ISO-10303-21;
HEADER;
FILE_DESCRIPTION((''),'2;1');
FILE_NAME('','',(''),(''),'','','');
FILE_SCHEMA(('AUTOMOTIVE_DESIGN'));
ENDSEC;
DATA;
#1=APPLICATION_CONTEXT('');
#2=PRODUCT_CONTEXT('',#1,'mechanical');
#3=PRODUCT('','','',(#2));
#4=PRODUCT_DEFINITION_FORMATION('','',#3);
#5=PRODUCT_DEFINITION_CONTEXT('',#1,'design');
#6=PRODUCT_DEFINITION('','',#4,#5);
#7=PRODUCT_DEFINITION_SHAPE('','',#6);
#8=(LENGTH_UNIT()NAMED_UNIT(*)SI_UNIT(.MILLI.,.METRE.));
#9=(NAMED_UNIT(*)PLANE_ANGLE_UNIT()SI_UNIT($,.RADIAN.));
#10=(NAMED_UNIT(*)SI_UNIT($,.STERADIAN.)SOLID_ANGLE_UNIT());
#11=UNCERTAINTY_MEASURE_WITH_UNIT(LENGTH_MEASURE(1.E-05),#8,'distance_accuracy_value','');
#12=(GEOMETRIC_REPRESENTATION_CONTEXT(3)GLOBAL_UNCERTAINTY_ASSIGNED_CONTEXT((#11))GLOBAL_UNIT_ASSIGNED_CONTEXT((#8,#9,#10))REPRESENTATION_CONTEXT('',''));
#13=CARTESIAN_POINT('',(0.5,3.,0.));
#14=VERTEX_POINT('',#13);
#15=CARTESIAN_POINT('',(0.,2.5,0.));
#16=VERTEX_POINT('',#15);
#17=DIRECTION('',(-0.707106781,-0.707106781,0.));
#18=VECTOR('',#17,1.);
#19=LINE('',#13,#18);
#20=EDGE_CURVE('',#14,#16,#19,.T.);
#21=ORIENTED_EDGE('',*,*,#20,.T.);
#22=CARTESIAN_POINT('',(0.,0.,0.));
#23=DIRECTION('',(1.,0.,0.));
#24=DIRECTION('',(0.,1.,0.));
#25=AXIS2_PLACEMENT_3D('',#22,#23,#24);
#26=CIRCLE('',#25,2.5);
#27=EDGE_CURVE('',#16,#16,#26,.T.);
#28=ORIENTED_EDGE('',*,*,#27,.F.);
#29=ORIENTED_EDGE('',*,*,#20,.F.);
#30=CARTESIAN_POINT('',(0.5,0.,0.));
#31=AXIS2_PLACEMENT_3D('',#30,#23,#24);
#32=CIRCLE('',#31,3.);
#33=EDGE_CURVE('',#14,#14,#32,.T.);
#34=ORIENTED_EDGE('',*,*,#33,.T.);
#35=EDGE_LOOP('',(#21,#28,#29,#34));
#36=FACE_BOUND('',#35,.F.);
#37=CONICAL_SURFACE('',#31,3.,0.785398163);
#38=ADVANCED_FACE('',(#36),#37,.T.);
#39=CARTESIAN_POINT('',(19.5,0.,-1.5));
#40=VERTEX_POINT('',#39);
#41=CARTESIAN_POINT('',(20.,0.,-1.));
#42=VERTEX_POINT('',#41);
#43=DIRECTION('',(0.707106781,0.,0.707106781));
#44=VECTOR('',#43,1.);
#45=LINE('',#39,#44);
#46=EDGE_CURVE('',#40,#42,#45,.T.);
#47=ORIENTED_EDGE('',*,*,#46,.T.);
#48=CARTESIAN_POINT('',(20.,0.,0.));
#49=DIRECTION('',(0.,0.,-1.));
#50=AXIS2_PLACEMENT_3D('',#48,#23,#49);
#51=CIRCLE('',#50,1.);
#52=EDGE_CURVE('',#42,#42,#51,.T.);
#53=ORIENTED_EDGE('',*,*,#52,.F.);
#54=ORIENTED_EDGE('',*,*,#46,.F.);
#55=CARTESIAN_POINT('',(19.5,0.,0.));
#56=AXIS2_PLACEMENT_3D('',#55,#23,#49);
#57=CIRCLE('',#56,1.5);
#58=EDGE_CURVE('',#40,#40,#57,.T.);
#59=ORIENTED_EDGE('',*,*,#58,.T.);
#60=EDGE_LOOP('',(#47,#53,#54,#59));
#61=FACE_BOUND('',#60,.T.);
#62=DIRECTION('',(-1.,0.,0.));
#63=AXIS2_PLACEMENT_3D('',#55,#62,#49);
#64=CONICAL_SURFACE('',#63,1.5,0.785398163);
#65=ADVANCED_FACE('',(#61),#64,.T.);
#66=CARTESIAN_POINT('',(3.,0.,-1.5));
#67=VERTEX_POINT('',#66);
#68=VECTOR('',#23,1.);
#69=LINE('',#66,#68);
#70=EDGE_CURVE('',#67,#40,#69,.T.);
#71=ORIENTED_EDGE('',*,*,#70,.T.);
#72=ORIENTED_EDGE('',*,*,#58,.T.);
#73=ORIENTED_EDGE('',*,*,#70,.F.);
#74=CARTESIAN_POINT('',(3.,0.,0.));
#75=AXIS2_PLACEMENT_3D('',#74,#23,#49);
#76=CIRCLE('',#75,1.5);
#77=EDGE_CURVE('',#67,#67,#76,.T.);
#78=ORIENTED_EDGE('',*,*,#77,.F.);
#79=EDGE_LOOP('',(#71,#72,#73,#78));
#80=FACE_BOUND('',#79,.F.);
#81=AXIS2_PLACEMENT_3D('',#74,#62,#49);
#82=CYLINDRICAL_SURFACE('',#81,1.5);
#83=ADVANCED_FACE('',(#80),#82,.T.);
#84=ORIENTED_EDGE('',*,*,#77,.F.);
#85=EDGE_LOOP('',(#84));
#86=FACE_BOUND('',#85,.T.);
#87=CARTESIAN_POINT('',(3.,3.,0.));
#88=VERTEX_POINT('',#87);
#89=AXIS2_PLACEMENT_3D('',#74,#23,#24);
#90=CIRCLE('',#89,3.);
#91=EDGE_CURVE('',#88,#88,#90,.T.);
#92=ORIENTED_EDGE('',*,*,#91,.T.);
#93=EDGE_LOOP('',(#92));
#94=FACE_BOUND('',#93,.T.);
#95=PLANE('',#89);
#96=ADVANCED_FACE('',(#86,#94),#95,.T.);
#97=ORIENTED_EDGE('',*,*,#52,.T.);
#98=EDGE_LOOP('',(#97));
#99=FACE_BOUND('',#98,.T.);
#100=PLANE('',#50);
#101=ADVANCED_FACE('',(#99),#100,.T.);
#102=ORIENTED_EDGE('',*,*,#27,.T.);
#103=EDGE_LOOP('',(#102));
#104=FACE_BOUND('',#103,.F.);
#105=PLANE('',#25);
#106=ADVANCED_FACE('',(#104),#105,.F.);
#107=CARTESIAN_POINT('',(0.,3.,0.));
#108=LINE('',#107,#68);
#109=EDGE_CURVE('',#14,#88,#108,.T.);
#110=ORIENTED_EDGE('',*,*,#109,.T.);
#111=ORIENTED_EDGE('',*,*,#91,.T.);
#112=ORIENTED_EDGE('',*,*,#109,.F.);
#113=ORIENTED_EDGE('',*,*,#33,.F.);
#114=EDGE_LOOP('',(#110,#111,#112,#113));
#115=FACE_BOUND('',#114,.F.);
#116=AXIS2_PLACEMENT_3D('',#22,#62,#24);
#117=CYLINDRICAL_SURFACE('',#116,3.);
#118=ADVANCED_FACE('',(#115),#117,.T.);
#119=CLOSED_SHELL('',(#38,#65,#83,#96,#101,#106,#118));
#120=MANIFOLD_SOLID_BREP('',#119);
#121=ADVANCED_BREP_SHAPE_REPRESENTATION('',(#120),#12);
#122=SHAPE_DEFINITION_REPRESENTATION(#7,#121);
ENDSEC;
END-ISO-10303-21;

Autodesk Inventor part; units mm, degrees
ref_plane "YZ Plane" through (0, 0, 0) normal (1, 0, 0) x (0, 1, 0)
ref_plane "XZ Plane" through (0, 0, 0) normal (0, 1, 0) x (-1, 0, 0)
ref_plane "XY Plane" through (0, 0, 0) normal (0, 0, 1) x (1, 0, 0)
sketch "Sketch1" plane through (0, 0, 0) normal (1, 0, 0) x (0, 1, 0)
  circle A0 centre (0, 0) radius 3
  dimension "d0" = 6
extrude "Extrusion1" add sketch "Sketch1" along normal blind 3
chamfer "Chamfer1" distance 0.5 angle 45 1 edges at (0, -3, 0)
sketch "Sketch2" plane through (3, 0, 0) normal (1, 0, 0) x (0, 0, -1)
  circle A0 centre (0, 0) radius 1.5
  dimension "d6" = 3
extrude "Extrusion2" add sketch "Sketch2" along normal blind 17
chamfer "Chamfer2" distance 0.5 angle 45 1 edges at (20, 0, 1.5)
thread "Thread1" size "M3x0.5" class "6g" standard "ANSI Metric M Profile" length 10
properties part number "Reverse Gear LInk Stud" material "Steel"
